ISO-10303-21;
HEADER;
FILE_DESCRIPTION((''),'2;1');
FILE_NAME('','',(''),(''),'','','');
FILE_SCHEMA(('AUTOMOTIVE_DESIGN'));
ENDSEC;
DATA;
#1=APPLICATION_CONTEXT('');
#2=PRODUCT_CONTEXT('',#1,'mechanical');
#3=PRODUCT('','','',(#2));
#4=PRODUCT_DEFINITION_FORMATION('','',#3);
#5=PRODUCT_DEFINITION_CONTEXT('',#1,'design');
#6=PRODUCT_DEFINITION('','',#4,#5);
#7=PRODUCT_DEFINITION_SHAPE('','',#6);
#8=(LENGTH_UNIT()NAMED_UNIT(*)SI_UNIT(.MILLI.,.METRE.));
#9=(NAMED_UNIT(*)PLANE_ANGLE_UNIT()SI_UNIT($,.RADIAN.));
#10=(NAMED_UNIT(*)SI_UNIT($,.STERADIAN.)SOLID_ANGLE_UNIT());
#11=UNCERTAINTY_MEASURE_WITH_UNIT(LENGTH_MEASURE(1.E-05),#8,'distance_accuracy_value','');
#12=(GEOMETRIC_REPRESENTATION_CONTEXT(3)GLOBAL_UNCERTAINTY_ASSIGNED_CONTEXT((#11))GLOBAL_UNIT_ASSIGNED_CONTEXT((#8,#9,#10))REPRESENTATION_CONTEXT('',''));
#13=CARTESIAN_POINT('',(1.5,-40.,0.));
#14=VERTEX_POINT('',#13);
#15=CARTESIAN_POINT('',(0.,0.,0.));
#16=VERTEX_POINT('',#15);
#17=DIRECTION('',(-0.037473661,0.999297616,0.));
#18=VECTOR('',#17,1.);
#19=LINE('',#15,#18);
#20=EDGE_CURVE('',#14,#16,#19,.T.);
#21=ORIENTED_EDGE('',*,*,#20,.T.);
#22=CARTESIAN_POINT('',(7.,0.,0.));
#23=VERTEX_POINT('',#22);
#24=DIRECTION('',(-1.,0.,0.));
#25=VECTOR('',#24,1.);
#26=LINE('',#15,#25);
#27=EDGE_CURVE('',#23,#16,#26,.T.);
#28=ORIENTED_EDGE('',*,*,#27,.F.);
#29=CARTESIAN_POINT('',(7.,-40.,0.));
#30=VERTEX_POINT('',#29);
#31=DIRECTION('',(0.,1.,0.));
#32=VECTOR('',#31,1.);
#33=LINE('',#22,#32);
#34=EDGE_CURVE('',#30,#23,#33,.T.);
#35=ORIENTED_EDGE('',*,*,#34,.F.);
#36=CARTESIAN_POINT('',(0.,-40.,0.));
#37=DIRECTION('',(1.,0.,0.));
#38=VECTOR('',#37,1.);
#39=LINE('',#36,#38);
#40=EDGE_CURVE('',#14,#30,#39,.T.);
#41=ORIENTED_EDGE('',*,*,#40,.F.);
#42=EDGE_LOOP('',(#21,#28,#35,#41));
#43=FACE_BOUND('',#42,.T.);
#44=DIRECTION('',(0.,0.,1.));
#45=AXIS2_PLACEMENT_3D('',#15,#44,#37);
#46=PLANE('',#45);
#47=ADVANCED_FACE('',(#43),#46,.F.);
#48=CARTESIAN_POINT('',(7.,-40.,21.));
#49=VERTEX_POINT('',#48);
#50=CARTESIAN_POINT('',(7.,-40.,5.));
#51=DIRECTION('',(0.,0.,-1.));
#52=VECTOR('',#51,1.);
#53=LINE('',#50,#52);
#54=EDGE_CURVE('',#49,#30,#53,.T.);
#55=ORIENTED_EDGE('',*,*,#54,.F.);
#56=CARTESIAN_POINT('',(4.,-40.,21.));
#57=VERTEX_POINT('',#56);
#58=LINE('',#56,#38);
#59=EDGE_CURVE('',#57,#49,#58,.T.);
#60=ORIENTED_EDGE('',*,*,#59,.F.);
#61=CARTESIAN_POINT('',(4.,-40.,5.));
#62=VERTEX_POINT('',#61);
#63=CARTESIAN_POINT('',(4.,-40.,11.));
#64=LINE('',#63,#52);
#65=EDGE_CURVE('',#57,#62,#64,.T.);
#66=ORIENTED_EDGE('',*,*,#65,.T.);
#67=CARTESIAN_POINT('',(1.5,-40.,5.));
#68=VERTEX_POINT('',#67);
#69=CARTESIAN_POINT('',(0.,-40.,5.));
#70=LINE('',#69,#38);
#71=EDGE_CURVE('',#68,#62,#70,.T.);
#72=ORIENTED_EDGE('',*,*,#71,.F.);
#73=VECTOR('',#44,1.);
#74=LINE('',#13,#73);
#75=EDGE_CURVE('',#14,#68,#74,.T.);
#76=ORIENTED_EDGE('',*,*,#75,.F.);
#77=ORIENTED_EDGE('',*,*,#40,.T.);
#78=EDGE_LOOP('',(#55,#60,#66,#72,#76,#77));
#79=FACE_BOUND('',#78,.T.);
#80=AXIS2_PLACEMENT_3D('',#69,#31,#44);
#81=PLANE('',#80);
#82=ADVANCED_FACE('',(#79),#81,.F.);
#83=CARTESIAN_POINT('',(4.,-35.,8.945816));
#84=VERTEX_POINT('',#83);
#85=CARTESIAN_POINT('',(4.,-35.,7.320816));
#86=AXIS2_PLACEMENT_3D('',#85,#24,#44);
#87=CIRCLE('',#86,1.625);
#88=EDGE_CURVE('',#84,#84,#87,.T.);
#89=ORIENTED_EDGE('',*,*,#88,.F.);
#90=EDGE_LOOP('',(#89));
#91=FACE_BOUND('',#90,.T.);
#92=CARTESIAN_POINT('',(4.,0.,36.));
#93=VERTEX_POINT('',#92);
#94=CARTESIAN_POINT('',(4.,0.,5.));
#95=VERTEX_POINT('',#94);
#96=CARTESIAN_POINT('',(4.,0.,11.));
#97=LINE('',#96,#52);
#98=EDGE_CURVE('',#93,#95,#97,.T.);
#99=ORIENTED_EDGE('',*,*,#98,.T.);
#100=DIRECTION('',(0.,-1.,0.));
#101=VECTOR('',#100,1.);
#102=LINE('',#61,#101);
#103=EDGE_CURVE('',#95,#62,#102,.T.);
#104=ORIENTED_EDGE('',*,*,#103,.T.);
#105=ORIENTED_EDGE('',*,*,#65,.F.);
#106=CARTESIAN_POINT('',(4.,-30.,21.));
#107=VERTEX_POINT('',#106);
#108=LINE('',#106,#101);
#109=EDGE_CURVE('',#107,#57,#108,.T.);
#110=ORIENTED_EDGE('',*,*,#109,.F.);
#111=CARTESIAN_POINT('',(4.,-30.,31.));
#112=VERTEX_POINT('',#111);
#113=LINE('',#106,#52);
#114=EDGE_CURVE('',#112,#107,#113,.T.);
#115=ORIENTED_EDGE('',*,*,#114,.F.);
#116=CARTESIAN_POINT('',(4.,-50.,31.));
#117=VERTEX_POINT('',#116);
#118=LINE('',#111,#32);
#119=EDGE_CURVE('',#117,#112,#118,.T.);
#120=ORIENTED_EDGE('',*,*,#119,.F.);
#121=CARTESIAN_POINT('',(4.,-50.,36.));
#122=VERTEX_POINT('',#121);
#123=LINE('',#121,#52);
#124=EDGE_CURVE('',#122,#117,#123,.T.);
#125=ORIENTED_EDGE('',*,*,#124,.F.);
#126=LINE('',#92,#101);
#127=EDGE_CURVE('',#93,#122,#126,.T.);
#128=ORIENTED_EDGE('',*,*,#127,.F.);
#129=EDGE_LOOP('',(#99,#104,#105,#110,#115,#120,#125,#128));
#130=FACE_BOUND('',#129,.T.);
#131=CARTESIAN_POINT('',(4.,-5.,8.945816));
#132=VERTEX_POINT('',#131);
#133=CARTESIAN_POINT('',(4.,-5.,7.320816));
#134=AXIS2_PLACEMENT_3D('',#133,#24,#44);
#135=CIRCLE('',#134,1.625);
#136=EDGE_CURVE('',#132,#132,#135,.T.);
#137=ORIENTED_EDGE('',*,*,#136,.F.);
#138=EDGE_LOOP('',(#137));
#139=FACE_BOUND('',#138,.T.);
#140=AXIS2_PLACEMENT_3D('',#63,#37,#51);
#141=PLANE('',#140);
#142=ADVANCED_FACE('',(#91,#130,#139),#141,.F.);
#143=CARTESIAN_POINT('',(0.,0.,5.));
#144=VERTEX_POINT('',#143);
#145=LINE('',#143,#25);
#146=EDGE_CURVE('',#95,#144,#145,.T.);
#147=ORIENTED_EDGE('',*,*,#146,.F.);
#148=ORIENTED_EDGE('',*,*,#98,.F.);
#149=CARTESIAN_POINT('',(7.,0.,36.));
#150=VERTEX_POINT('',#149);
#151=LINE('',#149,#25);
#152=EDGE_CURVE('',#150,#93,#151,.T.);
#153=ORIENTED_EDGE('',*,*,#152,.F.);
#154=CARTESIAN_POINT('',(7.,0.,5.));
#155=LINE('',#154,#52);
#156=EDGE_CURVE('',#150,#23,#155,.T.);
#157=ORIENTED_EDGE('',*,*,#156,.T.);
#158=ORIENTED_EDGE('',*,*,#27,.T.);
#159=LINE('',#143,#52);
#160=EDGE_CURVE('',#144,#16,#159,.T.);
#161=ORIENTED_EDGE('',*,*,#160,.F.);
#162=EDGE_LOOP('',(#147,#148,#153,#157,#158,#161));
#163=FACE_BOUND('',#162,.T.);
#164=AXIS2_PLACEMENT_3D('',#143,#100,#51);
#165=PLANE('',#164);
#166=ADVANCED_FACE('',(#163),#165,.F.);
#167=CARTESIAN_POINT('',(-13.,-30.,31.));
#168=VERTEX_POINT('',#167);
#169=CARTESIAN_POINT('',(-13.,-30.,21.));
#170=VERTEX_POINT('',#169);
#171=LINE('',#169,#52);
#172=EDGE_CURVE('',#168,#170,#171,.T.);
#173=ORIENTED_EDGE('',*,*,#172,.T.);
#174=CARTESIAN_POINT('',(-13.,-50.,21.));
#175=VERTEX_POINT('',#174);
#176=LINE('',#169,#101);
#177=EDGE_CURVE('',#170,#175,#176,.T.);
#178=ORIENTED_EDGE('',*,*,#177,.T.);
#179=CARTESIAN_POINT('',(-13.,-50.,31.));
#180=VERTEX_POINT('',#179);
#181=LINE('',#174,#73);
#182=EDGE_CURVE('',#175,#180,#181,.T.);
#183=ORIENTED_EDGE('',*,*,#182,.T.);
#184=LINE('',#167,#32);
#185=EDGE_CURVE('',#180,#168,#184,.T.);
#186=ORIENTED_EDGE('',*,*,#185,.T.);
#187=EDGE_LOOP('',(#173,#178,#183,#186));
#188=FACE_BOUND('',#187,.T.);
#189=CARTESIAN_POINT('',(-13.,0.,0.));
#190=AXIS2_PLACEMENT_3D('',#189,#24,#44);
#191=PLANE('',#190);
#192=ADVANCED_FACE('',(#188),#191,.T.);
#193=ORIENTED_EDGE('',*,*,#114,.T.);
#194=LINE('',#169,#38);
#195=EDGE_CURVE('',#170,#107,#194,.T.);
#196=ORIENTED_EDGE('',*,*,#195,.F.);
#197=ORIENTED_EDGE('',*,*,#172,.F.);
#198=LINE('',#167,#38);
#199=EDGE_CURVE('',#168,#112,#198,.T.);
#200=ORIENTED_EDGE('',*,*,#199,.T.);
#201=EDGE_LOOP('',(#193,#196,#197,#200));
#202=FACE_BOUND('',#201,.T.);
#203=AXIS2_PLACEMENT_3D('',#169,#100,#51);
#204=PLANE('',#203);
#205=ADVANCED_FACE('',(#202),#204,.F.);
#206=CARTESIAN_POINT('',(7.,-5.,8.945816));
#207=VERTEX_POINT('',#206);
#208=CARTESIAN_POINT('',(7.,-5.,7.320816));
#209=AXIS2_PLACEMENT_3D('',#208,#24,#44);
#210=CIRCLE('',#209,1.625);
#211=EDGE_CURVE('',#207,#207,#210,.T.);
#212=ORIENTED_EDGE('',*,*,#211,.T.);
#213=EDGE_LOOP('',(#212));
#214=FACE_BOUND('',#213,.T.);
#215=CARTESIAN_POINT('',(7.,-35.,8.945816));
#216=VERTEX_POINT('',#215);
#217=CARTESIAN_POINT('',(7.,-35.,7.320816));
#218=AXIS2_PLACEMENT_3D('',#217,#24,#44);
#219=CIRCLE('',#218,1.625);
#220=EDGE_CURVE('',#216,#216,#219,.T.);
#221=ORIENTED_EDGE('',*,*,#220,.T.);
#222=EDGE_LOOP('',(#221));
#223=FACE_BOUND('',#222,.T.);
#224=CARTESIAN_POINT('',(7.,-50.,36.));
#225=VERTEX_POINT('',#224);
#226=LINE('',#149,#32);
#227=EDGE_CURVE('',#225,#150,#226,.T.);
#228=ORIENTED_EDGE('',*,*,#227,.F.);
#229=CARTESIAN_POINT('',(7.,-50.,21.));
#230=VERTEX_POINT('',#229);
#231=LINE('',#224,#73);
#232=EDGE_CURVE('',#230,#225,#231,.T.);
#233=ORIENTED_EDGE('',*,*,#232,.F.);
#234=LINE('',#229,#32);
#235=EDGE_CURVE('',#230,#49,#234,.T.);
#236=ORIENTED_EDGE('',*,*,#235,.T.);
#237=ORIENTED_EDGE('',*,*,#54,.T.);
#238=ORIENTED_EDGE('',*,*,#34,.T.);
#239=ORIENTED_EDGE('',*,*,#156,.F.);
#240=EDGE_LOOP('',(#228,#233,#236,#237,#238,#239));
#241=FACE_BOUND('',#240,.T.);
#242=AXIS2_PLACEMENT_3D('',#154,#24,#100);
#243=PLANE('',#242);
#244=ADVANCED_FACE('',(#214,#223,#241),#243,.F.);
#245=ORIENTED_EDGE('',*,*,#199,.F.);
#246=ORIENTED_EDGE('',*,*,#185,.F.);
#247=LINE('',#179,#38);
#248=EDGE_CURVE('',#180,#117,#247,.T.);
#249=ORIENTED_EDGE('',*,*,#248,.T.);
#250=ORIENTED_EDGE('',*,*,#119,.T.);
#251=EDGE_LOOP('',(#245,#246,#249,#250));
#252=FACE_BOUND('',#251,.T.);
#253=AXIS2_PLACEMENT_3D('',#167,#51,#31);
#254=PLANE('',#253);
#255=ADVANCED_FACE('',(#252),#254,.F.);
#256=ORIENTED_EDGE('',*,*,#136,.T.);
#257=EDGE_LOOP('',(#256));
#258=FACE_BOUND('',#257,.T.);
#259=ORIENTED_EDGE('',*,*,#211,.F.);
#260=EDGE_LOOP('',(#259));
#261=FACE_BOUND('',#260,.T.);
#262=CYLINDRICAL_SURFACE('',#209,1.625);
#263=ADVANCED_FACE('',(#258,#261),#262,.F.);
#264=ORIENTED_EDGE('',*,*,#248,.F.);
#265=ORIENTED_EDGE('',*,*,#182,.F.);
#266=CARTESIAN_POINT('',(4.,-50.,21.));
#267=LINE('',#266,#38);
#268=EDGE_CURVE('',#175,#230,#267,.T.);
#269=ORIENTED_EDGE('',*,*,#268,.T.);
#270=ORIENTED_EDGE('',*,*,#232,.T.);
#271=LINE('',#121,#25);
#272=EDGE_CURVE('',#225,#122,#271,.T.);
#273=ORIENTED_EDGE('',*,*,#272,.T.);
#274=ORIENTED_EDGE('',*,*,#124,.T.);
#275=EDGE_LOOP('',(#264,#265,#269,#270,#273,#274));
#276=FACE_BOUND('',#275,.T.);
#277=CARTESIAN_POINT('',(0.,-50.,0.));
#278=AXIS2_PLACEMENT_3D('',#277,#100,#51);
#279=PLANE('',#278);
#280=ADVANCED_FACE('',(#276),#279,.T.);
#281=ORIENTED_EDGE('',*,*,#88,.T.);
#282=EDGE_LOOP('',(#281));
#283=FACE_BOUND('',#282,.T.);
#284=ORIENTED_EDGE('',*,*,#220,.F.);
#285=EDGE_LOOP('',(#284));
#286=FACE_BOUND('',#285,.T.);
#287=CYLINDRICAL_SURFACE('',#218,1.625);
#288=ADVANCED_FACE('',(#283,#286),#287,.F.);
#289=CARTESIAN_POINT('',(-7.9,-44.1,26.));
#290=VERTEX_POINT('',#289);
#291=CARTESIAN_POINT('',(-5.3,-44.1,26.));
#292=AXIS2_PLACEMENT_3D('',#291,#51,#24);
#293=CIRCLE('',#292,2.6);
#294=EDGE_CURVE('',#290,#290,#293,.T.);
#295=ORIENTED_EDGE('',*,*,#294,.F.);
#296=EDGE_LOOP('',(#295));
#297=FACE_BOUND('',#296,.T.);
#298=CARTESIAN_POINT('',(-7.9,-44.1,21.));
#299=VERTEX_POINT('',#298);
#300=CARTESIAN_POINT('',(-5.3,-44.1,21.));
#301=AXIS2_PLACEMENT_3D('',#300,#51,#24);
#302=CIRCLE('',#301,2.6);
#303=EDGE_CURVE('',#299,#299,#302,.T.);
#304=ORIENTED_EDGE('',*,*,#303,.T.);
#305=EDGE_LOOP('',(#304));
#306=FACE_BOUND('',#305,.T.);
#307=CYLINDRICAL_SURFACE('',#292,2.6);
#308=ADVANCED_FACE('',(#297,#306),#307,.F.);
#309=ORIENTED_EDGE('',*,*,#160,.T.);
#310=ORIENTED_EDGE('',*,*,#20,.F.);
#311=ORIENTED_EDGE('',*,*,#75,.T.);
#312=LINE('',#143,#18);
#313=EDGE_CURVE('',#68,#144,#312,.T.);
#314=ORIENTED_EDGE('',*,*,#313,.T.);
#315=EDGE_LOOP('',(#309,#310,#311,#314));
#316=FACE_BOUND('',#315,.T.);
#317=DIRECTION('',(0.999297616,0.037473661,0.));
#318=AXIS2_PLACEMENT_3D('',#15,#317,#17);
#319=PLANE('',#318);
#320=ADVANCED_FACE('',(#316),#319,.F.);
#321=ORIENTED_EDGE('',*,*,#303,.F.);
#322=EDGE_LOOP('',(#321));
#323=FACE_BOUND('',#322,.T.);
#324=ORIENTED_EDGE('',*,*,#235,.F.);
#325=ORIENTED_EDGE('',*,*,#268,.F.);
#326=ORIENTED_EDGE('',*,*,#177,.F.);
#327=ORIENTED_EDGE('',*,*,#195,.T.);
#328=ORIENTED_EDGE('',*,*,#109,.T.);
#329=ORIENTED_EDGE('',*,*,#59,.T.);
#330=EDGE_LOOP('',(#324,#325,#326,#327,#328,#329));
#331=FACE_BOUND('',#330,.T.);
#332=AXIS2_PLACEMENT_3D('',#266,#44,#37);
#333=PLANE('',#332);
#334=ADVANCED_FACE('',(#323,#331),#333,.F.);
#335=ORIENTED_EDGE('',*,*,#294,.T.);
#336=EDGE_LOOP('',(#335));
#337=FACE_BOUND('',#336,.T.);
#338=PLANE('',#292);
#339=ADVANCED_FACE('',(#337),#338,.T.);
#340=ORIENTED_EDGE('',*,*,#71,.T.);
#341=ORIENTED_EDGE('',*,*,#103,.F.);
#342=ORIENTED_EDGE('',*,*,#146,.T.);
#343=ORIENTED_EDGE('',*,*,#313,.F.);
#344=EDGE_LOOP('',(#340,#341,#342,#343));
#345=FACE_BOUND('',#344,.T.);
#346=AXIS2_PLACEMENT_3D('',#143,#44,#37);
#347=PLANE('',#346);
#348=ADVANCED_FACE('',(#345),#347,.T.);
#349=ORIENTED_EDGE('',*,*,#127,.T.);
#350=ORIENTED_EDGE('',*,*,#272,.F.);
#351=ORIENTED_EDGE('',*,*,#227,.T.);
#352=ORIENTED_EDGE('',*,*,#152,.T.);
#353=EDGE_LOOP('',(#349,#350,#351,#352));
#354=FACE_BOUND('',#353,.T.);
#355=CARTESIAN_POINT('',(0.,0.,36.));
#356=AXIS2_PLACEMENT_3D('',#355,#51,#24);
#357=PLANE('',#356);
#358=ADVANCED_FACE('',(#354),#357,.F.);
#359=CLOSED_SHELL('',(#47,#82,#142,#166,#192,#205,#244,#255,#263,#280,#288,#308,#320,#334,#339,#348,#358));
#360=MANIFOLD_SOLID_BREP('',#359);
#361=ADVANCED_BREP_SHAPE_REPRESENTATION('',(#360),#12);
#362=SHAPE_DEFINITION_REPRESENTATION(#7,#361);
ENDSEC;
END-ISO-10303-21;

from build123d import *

# Parameters (mm, degrees)
ESQUISSE1_W             = 7
ESQUISSE1_H             = 40
BOSS_EXTRU_1_DEPTH      = 5
ENL_V_MAT_EXTRU_1_DEPTH = 5
ESQUISSE3_W             = 3
ESQUISSE3_H             = 40
BOSS_EXTRU_2_DEPTH      = 6
ESQUISSE5_W             = 3
ESQUISSE5_H             = 10
BOSS_EXTRU_3_DEPTH      = 25
ESQUISSE4_R             = 1.625
ENL_V_MAT_EXTRU_2_DEPTH = 4
ESQUISSE9_W             = 3
ESQUISSE9_H             = 30
BOSS_EXTRU_5_DEPTH      = 25
ESQUISSE10_W            = 3
ESQUISSE10_H            = 15
BOSS_EXTRU_6_DEPTH      = 10
ESQUISSE11_W            = 10
ESQUISSE11_H            = 20
BOSS_EXTRU_7_DEPTH      = 17
ESQUISSE12_R            = 2.6
ENL_V_MAT_EXTRU_3_DEPTH = 5


with BuildPart() as part:
    # Esquisse1 → Boss.-Extru.1 (new body)
    with BuildSketch(Plane.XY):
        with Locations((3.5, -20)):
            Rectangle(ESQUISSE1_W, ESQUISSE1_H)
    extrude(amount=BOSS_EXTRU_1_DEPTH)

    # Esquisse2 → Enlèv. mat.-Extru.1 (cut)
    with BuildSketch(Plane.XY.offset(5)):
        Polygon((0, -40), (0, 0), (1.5, -40), align=None)
    extrude(amount=-ENL_V_MAT_EXTRU_1_DEPTH, mode=Mode.SUBTRACT)

    # Esquisse3 → Boss.-Extru.2 (add)
    with BuildSketch(Plane.XY.offset(5)):
        with Locations((5.5, -20)):
            Rectangle(ESQUISSE3_W, ESQUISSE3_H)
    extrude(amount=BOSS_EXTRU_2_DEPTH)

    # Esquisse5 → Boss.-Extru.3 (add)
    with BuildSketch(Plane.XY.offset(11)):
        with Locations((5.5, -5)):
            Rectangle(ESQUISSE5_W, ESQUISSE5_H)
    extrude(amount=BOSS_EXTRU_3_DEPTH)

    # Esquisse4 → Enlèv. mat.-Extru.2 (cut, through all)
    with BuildSketch(Plane.ZY.offset(-4)):
        with Locations((7.320815767, -35)):
            Circle(ESQUISSE4_R)
        with Locations((7.320815767, -5)):
            Circle(ESQUISSE4_R)
    extrude(amount=-ENL_V_MAT_EXTRU_2_DEPTH, mode=Mode.SUBTRACT)

    # Esquisse9 → Boss.-Extru.5 (add)
    with BuildSketch(Plane.XY.offset(11)):
        with Locations((5.5, -25)):
            Rectangle(ESQUISSE9_W, ESQUISSE9_H)
    extrude(amount=BOSS_EXTRU_5_DEPTH)

    # Esquisse10 → Boss.-Extru.6 (add)
    with BuildSketch(Plane.XZ.offset(40)):
        with Locations((5.5, 28.5)):
            Rectangle(ESQUISSE10_W, ESQUISSE10_H)
    extrude(amount=BOSS_EXTRU_6_DEPTH)

    # Esquisse11 → Boss.-Extru.7 (add)
    with BuildSketch(Plane.ZY.offset(-4)):
        with Locations((26, -40)):
            Rectangle(ESQUISSE11_W, ESQUISSE11_H)
    extrude(amount=BOSS_EXTRU_7_DEPTH)

    # Esquisse12 → Enlèv. mat.-Extru.3 (cut)
    with BuildSketch(Plane(origin=(0, 0, 21), x_dir=(-1, 0, 0), z_dir=(0, 0, -1))):
        with Locations((5.3, -44.1)):
            Circle(ESQUISSE12_R)
    extrude(amount=-ENL_V_MAT_EXTRU_3_DEPTH, mode=Mode.SUBTRACT)


solid = part.part
